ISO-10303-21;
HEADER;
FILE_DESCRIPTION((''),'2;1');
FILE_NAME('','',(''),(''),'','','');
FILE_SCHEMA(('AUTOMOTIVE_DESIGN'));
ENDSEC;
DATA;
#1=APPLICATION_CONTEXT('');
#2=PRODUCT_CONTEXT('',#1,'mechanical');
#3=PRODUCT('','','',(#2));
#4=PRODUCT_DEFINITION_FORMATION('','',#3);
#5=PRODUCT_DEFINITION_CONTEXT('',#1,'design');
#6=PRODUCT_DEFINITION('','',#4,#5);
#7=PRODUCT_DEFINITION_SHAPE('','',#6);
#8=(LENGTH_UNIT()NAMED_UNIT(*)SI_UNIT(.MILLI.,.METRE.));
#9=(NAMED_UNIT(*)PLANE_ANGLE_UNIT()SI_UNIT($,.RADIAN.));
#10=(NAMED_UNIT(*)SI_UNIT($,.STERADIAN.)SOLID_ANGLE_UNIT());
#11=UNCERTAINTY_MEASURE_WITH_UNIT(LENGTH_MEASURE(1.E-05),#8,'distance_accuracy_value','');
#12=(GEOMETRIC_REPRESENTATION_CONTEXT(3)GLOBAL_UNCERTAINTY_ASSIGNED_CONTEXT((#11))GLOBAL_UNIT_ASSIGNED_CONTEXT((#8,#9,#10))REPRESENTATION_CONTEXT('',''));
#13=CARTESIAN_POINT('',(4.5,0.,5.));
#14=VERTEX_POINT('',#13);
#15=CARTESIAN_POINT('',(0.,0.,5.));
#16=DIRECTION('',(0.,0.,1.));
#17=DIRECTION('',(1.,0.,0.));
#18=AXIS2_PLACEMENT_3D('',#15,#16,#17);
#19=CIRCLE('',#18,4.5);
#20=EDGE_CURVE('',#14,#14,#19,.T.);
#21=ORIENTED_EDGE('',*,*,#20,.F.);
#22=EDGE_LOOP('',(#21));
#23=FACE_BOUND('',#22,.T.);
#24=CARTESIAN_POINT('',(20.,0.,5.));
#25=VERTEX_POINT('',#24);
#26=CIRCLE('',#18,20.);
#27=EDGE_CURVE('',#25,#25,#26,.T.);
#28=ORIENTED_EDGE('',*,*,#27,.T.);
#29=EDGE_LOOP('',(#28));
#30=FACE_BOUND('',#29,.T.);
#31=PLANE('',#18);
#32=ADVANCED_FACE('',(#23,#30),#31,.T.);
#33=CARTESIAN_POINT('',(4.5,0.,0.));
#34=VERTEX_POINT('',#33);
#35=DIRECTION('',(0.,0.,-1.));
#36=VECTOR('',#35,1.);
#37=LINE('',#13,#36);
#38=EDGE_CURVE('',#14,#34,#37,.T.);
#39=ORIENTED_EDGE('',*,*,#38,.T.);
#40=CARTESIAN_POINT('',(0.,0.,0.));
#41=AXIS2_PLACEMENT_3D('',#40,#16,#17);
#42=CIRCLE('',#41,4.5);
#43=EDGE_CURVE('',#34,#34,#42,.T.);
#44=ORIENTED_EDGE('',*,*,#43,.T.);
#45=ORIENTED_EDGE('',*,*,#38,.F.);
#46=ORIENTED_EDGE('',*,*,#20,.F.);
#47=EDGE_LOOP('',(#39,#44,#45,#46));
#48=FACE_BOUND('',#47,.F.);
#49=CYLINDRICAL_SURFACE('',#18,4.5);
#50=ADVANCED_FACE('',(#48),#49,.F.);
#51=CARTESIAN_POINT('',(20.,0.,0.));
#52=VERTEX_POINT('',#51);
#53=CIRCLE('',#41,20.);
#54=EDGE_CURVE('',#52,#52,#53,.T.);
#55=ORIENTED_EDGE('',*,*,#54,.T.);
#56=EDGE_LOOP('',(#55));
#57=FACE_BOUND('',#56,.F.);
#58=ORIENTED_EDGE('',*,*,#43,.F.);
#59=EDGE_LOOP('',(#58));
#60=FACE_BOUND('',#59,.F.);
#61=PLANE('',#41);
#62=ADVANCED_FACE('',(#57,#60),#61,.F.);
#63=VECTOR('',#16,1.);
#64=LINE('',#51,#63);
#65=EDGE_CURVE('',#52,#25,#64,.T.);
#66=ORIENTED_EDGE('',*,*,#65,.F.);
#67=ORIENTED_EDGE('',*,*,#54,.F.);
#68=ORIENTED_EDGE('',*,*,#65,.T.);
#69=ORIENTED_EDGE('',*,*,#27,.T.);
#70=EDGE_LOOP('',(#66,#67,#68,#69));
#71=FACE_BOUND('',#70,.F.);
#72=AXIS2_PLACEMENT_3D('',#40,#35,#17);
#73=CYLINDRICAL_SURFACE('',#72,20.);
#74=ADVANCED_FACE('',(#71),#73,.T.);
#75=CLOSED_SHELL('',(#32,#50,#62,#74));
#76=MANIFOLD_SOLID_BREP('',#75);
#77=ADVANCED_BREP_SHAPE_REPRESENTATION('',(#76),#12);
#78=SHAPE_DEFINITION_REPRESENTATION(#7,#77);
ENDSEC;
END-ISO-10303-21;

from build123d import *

# Parameters (mm, degrees)
SKETCH1_R           = 20
BOSS_EXTRUDE1_DEPTH = 5
SKETCH2_R           = 4.5
CUT_EXTRUDE1_DEPTH  = 5


with BuildPart() as part:
    # Sketch1 → Boss-Extrude1 (new body)
    with BuildSketch(Plane.XY):
        Circle(SKETCH1_R)
    extrude(amount=BOSS_EXTRUDE1_DEPTH)

    # Sketch2 → Cut-Extrude1 (cut)
    with BuildSketch(Plane.XY.offset(5)):
        Circle(SKETCH2_R)
    extrude(amount=-CUT_EXTRUDE1_DEPTH, mode=Mode.SUBTRACT)


solid = part.part
